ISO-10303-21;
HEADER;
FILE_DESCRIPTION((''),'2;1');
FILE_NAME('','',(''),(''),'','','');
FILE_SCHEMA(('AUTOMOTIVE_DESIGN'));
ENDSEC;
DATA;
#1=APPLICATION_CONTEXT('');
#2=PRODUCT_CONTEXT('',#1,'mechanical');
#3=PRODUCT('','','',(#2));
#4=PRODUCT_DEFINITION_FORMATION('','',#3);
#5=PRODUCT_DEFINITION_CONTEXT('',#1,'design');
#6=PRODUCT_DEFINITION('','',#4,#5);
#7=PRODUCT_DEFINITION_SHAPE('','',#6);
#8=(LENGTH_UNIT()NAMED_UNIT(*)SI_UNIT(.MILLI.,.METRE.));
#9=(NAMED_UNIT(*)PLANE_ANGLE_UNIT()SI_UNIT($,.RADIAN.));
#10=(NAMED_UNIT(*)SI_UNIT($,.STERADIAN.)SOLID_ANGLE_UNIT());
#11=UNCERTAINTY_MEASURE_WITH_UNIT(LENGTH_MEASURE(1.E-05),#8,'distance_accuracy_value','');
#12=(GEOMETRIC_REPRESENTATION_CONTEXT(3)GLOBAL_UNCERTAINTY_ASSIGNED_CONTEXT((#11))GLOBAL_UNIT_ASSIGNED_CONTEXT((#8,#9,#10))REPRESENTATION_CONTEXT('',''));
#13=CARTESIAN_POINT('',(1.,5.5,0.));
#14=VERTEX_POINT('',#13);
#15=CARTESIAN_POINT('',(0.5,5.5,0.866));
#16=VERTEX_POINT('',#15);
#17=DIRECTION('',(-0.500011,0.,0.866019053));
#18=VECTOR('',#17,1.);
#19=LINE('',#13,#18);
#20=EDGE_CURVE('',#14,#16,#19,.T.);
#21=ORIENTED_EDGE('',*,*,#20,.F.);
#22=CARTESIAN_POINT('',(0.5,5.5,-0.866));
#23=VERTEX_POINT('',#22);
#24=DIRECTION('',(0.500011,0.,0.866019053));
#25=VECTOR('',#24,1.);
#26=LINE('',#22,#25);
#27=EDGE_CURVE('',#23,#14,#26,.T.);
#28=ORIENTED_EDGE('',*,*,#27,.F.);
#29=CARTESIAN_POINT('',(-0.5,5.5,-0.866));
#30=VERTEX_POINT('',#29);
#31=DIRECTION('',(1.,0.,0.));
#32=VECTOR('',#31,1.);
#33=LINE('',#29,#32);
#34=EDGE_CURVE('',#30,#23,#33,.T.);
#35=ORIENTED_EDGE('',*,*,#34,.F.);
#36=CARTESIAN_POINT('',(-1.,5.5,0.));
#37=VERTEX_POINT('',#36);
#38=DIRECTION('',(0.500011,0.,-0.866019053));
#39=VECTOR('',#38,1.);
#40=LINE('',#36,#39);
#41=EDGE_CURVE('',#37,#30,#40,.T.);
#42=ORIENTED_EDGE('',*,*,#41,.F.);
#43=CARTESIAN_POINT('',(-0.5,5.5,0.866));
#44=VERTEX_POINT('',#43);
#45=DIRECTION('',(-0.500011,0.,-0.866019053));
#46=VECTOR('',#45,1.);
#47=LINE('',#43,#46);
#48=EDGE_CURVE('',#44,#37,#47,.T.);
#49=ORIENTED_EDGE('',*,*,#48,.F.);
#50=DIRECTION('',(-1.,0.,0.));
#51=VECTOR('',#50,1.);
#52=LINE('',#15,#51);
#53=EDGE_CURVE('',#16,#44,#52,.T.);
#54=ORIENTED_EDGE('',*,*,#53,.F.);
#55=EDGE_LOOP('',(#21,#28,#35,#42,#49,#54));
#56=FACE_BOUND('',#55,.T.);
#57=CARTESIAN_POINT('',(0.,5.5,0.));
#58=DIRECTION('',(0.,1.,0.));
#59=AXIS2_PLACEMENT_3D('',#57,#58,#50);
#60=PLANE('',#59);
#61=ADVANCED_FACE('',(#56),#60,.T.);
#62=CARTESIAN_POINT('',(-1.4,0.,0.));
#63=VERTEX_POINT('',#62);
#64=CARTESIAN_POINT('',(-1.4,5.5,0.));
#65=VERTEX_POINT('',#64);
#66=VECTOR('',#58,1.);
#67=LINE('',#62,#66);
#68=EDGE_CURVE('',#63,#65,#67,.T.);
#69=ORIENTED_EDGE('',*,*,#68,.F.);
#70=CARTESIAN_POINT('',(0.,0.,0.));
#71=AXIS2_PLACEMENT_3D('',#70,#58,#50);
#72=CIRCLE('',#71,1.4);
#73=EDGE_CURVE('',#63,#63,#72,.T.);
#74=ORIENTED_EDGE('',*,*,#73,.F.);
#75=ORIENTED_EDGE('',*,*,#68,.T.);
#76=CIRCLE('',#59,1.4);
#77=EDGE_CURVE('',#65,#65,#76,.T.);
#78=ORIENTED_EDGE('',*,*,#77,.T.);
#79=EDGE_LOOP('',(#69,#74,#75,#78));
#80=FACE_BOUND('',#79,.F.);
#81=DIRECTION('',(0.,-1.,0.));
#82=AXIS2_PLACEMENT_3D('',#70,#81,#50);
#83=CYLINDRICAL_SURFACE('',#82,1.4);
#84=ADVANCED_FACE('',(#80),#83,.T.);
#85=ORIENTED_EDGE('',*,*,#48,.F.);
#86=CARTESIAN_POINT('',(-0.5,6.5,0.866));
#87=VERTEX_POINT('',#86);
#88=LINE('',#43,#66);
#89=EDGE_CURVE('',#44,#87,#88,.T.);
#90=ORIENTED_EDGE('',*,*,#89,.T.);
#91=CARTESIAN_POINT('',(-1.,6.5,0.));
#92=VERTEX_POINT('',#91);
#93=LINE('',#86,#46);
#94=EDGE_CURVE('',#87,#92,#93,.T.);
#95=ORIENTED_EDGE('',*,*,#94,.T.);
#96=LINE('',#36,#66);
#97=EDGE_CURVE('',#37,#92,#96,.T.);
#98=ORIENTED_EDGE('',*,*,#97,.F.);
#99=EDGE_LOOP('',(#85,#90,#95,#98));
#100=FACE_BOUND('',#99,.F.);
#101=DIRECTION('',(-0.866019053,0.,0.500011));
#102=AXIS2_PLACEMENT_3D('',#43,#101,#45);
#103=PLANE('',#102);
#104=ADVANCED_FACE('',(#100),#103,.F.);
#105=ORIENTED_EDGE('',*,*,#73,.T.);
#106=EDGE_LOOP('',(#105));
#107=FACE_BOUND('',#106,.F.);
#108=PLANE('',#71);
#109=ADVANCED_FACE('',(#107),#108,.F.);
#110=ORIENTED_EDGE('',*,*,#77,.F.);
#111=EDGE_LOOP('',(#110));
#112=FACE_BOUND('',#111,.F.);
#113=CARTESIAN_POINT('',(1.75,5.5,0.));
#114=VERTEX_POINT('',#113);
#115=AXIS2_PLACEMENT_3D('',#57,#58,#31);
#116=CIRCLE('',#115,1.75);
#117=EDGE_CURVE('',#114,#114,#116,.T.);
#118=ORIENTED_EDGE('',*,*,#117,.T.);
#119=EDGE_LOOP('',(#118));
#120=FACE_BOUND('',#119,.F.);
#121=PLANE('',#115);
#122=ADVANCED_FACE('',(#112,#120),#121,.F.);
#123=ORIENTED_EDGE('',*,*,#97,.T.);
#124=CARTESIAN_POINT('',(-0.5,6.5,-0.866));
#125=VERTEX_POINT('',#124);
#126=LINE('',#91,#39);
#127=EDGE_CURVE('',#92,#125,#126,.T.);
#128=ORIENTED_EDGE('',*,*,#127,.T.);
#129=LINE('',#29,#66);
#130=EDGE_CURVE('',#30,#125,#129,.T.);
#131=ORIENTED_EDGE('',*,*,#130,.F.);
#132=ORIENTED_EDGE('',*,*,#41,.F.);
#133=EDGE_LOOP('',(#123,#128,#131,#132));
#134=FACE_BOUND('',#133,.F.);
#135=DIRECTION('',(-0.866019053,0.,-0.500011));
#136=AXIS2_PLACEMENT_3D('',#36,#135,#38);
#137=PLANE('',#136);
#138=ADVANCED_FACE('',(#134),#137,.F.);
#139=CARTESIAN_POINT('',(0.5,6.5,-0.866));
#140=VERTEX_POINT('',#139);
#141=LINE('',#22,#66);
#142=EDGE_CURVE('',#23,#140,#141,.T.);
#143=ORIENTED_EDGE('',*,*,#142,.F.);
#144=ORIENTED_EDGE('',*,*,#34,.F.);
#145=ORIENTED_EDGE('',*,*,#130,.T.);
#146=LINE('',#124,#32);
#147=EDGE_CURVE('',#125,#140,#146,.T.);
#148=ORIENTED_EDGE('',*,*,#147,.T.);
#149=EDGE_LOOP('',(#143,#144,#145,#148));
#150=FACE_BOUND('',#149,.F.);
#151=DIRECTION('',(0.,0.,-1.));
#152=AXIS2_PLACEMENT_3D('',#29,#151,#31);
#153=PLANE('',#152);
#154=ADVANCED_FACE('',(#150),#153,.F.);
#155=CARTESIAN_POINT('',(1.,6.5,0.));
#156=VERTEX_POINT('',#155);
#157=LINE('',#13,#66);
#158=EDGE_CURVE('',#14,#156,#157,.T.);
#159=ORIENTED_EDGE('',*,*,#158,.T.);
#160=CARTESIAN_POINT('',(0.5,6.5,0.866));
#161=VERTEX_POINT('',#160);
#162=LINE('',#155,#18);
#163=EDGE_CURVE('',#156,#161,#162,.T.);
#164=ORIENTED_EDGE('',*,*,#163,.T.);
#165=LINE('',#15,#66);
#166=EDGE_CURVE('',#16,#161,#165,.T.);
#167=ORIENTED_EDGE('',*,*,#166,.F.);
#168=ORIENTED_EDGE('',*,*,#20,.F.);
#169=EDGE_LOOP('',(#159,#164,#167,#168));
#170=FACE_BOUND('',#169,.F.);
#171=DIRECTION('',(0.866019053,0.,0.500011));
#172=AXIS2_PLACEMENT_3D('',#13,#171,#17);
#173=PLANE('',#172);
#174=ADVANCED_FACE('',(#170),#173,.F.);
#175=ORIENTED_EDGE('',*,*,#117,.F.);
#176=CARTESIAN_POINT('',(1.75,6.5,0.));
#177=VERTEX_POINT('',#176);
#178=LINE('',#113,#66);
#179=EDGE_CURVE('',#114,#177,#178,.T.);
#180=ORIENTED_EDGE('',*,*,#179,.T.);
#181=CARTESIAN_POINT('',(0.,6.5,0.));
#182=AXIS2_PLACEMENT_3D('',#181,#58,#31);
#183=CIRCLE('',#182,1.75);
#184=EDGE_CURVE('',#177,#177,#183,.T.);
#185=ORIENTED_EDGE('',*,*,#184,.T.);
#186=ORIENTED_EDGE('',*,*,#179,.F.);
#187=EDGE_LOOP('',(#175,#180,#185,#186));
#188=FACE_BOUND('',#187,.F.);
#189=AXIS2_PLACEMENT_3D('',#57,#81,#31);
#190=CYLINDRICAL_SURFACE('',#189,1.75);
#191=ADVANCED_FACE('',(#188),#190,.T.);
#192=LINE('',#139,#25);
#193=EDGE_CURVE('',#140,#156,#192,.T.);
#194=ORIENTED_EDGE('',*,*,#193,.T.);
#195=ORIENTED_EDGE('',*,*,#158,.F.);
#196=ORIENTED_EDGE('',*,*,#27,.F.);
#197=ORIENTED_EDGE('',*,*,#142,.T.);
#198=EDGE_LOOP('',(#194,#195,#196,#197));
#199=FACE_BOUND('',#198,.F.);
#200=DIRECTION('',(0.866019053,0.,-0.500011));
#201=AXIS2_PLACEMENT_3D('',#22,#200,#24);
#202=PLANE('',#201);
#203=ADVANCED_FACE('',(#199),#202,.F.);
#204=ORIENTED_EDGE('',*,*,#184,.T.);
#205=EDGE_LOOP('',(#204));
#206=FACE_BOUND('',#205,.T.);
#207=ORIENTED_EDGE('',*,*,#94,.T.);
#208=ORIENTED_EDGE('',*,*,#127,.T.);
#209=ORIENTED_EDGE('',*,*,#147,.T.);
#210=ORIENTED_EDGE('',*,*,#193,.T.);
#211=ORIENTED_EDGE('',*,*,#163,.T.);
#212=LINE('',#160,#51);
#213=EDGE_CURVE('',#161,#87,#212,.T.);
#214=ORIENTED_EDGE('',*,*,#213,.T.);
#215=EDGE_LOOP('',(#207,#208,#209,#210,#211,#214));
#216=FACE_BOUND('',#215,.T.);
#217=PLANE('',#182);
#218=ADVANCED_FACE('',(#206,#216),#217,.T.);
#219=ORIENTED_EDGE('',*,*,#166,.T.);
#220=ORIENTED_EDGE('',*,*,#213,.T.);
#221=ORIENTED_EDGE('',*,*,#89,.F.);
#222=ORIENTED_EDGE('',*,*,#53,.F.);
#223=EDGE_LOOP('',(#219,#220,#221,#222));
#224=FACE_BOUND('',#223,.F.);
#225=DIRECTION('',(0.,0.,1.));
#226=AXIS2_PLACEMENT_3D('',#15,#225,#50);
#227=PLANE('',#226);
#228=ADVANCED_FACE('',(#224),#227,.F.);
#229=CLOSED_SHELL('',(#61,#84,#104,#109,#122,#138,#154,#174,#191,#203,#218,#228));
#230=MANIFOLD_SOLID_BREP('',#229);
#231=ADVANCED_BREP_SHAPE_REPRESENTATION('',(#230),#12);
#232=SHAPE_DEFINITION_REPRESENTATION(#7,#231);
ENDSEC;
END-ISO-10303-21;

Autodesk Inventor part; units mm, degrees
ref_plane "YZ Plane" through (0, 0, 0) normal (1, 0, 0) x (0, 1, 0)
ref_plane "XZ Plane" through (0, 0, 0) normal (0, 1, 0) x (-1, 0, 0)
ref_plane "XY Plane" through (0, 0, 0) normal (0, 0, 1) x (1, 0, 0)
sketch "Sketch1" plane through (0, 0, 0) normal (0, 1, 0) x (-1, 0, 0)
  circle A0 centre (0, 0) radius 1.4
  dimension "d0" = 2.8
extrude "Extrusion1" add sketch "Sketch1" along normal blind 5.5
sketch "Sketch2" plane through (0, 5.5, 0) normal (0, 1, 0) x (1, 0, 0)
  circle A0 centre (0, 0) radius 1.75
  line L0 (0, 0) -> (-1, 0)
  line L1 (-1, 0) -> (-0.5, 0.866)
  line L2 (-0.5, 0.866) -> (0.5, 0.866)
  line L3 (0.5, 0.866) -> (1, 0)
  line L4 (1, 0) -> (0.5, -0.866)
  line L5 (0.5, -0.866) -> (-0.5, -0.866)
  line L6 (-0.5, -0.866) -> (-1, 0)
  dimension "d3" = 3.5
  dimension "d4" = 1
extrude "Extrusion2" add sketch "Sketch2" along normal blind 1
thread "Thread1" size "M3x0.5" class "6g" standard "ANSI Metric M Profile" length 6
properties part number "Connector_3" material "Steel, Mild"
